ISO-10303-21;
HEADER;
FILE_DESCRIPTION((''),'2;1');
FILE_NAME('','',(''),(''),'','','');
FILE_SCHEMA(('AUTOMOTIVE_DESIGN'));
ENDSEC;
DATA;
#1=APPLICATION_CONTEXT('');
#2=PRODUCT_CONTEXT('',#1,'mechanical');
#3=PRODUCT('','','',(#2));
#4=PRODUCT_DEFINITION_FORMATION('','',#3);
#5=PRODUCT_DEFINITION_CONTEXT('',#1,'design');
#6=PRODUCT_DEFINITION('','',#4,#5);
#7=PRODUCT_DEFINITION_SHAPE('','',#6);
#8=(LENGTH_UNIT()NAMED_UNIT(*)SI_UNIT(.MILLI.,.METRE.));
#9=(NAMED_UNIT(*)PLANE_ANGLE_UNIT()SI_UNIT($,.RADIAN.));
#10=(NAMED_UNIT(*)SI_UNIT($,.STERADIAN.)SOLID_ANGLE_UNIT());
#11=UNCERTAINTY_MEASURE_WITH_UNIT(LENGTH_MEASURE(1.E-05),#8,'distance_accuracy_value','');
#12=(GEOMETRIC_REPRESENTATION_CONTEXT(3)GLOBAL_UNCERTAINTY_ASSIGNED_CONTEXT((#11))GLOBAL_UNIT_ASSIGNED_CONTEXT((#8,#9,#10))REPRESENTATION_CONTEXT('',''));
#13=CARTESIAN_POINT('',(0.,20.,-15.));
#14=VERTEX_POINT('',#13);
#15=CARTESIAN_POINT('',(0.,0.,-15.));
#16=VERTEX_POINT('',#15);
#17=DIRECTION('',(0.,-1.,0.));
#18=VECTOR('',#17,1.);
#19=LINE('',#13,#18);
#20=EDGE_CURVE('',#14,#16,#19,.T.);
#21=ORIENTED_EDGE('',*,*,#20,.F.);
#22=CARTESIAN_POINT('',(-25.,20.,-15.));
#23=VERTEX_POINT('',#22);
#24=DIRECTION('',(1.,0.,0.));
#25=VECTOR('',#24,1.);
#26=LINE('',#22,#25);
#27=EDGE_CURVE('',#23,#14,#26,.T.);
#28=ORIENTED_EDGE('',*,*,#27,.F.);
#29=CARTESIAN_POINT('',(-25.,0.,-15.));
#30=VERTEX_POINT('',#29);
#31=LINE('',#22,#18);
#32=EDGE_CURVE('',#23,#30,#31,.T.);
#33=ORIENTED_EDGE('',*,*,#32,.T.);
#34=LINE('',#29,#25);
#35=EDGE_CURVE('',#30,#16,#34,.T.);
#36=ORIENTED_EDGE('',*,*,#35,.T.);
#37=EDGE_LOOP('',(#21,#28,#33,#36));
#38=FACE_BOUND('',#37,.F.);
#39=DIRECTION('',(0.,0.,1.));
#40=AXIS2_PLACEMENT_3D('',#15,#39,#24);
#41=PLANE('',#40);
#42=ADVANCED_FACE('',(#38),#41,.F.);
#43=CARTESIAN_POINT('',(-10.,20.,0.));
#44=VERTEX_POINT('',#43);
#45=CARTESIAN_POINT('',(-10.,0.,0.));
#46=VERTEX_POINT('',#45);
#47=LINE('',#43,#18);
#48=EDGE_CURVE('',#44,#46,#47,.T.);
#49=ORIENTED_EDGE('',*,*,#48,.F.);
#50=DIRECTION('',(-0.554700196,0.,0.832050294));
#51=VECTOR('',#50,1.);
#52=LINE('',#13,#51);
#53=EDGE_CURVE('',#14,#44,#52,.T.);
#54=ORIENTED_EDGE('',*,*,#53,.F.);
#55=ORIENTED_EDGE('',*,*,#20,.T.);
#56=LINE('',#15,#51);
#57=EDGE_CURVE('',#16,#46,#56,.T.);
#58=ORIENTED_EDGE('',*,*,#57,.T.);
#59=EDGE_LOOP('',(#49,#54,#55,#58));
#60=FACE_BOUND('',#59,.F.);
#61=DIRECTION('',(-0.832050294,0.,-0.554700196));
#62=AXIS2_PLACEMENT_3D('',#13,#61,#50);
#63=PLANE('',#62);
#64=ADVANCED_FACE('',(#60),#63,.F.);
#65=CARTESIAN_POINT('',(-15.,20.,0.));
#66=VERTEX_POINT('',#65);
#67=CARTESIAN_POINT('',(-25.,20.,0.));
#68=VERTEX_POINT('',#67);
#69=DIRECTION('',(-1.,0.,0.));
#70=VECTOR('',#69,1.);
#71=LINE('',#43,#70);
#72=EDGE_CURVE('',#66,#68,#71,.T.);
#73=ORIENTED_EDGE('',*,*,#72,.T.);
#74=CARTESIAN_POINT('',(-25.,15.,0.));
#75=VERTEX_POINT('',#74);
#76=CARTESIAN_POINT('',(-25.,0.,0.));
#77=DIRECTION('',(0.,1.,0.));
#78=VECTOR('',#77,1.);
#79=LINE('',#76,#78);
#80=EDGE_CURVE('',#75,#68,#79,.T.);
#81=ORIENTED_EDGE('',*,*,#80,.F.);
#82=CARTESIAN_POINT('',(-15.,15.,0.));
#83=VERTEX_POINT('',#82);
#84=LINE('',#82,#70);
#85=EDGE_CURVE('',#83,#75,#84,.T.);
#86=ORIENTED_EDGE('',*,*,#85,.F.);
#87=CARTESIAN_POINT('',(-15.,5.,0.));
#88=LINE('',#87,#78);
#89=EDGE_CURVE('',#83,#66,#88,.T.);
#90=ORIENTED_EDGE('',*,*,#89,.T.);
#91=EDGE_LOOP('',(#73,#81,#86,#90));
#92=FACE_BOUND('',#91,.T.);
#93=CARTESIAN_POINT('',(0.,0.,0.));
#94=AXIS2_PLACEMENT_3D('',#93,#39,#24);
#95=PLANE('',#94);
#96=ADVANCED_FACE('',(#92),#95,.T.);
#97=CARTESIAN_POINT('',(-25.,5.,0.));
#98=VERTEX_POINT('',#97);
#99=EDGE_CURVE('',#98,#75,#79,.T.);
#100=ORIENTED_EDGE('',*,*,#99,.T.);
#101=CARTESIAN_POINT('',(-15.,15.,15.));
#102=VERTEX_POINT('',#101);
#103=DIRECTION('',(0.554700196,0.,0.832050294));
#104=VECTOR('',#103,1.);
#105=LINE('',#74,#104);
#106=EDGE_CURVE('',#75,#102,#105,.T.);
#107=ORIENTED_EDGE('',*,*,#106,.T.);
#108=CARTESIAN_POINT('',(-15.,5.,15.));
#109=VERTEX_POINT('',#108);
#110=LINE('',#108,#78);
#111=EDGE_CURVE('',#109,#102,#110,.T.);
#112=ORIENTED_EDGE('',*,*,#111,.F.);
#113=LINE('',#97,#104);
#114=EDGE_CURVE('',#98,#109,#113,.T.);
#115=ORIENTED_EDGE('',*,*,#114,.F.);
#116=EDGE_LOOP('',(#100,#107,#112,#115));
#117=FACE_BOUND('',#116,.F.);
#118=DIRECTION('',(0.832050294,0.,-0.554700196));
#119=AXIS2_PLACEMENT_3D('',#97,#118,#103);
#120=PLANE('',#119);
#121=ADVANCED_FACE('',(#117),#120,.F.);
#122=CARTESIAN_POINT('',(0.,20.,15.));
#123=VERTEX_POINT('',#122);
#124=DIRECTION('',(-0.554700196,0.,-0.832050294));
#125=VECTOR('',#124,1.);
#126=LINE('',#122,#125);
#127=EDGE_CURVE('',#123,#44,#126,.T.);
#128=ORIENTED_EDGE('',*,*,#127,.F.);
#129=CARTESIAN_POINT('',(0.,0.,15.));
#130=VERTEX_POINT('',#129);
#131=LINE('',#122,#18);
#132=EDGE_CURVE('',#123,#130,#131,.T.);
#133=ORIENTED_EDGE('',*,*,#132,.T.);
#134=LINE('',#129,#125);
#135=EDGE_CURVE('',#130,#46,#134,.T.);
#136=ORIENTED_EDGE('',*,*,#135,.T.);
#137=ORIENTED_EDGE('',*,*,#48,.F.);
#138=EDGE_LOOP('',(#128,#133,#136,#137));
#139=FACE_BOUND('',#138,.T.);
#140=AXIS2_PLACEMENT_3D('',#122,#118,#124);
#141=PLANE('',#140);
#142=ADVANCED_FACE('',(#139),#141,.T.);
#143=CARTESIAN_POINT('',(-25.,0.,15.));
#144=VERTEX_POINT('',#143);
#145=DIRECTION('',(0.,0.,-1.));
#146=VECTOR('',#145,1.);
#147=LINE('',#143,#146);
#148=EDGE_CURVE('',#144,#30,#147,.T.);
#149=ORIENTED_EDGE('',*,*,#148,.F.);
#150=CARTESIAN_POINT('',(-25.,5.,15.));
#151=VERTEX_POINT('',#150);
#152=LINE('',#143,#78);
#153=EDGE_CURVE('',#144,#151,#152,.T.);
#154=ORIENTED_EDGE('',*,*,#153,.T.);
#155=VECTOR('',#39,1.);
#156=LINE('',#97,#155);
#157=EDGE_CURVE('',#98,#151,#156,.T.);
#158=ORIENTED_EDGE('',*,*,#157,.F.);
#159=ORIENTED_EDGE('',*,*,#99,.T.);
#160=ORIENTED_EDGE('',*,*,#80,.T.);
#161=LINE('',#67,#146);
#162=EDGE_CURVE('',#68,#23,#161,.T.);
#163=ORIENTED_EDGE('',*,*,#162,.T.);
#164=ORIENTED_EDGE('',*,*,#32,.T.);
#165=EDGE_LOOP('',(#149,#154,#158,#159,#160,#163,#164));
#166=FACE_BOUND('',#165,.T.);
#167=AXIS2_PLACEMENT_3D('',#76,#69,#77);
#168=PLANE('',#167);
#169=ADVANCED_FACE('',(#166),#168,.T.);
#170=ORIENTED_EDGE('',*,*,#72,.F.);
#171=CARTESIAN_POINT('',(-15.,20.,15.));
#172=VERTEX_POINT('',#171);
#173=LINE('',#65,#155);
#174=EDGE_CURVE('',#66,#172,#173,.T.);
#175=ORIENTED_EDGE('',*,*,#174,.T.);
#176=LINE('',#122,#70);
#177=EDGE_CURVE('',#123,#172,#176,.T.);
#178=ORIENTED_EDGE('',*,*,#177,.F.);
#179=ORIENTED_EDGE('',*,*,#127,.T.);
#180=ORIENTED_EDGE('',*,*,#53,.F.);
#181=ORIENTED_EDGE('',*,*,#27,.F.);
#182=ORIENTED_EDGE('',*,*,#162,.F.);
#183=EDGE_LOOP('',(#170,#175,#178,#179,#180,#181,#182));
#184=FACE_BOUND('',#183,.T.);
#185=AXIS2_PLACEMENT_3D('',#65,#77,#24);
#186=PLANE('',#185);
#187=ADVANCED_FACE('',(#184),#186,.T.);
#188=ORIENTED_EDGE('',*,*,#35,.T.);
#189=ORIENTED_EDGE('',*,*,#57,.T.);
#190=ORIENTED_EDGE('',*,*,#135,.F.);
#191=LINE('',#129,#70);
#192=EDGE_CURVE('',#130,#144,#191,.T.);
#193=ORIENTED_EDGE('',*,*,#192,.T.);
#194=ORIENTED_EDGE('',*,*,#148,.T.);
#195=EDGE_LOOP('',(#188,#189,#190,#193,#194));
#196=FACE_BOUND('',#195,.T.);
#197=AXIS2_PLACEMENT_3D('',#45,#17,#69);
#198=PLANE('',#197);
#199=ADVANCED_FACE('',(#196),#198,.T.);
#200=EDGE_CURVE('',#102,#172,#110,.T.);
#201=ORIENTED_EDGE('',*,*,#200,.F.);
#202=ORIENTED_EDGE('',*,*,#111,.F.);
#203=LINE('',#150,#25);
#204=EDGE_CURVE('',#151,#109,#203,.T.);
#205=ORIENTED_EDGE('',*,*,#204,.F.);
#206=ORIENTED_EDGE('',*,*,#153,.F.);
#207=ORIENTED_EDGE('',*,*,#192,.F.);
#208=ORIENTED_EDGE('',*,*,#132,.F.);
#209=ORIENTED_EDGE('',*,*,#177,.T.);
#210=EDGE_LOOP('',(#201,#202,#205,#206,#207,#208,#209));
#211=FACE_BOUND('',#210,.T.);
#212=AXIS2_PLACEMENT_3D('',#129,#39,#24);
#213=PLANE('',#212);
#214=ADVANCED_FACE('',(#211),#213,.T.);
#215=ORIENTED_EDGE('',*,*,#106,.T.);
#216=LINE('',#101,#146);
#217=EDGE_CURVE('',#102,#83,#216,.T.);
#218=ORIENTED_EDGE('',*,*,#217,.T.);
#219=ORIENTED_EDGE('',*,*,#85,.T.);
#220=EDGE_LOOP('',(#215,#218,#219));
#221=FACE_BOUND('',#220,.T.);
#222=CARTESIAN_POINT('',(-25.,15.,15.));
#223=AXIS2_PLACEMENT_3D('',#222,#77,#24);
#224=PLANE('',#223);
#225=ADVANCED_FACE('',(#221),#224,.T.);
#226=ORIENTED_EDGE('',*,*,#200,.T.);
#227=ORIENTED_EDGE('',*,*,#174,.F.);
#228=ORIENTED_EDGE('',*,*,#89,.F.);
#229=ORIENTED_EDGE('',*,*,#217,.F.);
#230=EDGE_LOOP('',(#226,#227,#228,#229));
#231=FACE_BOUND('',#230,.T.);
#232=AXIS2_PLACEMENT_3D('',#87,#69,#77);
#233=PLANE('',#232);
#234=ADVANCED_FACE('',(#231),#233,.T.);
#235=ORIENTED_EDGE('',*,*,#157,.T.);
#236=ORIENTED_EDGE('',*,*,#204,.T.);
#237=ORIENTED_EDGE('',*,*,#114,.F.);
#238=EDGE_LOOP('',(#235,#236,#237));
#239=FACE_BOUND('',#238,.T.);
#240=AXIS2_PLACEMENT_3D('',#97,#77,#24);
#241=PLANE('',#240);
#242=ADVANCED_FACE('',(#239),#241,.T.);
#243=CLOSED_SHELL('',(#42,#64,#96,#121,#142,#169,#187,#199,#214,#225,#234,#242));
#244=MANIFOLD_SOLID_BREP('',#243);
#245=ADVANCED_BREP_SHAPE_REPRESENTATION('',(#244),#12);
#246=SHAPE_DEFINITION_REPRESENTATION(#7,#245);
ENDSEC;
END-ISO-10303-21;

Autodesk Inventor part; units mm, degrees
ref_plane "YZ Plane" through (0, 0, 0) normal (1, 0, 0) x (0, 1, 0)
ref_plane "XZ Plane" through (0, 0, 0) normal (0, 1, 0) x (-1, 0, 0)
ref_plane "XY Plane" through (0, 0, 0) normal (0, 0, 1) x (1, 0, 0)
sketch "Sketch3" plane through (0, 0, 0) normal (0, 0, 1) x (1, 0, 0)
  line L0 (0, 0) -> (-10, 0)
  line L1 (-25, 0) -> (-25, 5)
  line L2 (-25, 5) -> (-15, 5)
  line L3 (-15, 5) -> (-15, 20)
  line L4 (-15, 20) -> (-10, 20)
  line L5 (0, 20) -> (0, 0)
  line L6 (0, 20) -> (-10, 20)
  line L7 (-10, 20) -> (-10, 0)
  line L8 (-10, 20) -> (0, 20)
  line L9 (-10, 0) -> (-25, 0)
  line L10 (-25, 5) -> (-25, 20)
  line L11 (-25, 20) -> (-15, 20)
  dimension "d12" = 25
  dimension "d13" = 5
  dimension "d14" = 10
  dimension "d15" = 15
  dimension "d16" = 15
  dimension "d19" = 10
extrude "Extrusion1" add sketch "Sketch3" along normal blind 15 contours L9 L1 L2 L3 L4 L7
extrude "Extrusion2" add sketch "Sketch3" against normal blind 15 contours L9 L1 L2 L3 L4 L7 | L3 L2 L10 L11
sketch "Sketch5" plane through (-25, 20, -15) normal (0, 1, 0) x (1, 0, 0)
  line L0 (15, 0) -> (15, -30) projected
  line L1 (15, 0) -> (15, -30)
  line L2 (15, -30) -> (25, -30)
  line L3 (25, -30) -> (15, -15)
  line L4 (15, 0) -> (25, 0)
  line L5 (25, 0) -> (15, -15)
  point P0 (25, -15)
  dimension "d24" = 10
  dimension "d25" = 10
extrude "Extrusion4" add sketch "Sketch5" against normal blind 20
sketch "Sketch6" plane through (-25, 5, 15) normal (0, 1, 0) x (1, 0, 0)
  line L0 (0, 15) -> (0, 0) projected
  line L1 (10, 15) -> (0, 15)
  line L2 (0, 15) -> (10, 0)
  line L3 (10, 15) -> (0, 15) projected
  line L4 (10, 0) -> (10, 15)
  point P0 (25, 15)
extrude "Extrusion5" add sketch "Sketch6" along normal blind 10
